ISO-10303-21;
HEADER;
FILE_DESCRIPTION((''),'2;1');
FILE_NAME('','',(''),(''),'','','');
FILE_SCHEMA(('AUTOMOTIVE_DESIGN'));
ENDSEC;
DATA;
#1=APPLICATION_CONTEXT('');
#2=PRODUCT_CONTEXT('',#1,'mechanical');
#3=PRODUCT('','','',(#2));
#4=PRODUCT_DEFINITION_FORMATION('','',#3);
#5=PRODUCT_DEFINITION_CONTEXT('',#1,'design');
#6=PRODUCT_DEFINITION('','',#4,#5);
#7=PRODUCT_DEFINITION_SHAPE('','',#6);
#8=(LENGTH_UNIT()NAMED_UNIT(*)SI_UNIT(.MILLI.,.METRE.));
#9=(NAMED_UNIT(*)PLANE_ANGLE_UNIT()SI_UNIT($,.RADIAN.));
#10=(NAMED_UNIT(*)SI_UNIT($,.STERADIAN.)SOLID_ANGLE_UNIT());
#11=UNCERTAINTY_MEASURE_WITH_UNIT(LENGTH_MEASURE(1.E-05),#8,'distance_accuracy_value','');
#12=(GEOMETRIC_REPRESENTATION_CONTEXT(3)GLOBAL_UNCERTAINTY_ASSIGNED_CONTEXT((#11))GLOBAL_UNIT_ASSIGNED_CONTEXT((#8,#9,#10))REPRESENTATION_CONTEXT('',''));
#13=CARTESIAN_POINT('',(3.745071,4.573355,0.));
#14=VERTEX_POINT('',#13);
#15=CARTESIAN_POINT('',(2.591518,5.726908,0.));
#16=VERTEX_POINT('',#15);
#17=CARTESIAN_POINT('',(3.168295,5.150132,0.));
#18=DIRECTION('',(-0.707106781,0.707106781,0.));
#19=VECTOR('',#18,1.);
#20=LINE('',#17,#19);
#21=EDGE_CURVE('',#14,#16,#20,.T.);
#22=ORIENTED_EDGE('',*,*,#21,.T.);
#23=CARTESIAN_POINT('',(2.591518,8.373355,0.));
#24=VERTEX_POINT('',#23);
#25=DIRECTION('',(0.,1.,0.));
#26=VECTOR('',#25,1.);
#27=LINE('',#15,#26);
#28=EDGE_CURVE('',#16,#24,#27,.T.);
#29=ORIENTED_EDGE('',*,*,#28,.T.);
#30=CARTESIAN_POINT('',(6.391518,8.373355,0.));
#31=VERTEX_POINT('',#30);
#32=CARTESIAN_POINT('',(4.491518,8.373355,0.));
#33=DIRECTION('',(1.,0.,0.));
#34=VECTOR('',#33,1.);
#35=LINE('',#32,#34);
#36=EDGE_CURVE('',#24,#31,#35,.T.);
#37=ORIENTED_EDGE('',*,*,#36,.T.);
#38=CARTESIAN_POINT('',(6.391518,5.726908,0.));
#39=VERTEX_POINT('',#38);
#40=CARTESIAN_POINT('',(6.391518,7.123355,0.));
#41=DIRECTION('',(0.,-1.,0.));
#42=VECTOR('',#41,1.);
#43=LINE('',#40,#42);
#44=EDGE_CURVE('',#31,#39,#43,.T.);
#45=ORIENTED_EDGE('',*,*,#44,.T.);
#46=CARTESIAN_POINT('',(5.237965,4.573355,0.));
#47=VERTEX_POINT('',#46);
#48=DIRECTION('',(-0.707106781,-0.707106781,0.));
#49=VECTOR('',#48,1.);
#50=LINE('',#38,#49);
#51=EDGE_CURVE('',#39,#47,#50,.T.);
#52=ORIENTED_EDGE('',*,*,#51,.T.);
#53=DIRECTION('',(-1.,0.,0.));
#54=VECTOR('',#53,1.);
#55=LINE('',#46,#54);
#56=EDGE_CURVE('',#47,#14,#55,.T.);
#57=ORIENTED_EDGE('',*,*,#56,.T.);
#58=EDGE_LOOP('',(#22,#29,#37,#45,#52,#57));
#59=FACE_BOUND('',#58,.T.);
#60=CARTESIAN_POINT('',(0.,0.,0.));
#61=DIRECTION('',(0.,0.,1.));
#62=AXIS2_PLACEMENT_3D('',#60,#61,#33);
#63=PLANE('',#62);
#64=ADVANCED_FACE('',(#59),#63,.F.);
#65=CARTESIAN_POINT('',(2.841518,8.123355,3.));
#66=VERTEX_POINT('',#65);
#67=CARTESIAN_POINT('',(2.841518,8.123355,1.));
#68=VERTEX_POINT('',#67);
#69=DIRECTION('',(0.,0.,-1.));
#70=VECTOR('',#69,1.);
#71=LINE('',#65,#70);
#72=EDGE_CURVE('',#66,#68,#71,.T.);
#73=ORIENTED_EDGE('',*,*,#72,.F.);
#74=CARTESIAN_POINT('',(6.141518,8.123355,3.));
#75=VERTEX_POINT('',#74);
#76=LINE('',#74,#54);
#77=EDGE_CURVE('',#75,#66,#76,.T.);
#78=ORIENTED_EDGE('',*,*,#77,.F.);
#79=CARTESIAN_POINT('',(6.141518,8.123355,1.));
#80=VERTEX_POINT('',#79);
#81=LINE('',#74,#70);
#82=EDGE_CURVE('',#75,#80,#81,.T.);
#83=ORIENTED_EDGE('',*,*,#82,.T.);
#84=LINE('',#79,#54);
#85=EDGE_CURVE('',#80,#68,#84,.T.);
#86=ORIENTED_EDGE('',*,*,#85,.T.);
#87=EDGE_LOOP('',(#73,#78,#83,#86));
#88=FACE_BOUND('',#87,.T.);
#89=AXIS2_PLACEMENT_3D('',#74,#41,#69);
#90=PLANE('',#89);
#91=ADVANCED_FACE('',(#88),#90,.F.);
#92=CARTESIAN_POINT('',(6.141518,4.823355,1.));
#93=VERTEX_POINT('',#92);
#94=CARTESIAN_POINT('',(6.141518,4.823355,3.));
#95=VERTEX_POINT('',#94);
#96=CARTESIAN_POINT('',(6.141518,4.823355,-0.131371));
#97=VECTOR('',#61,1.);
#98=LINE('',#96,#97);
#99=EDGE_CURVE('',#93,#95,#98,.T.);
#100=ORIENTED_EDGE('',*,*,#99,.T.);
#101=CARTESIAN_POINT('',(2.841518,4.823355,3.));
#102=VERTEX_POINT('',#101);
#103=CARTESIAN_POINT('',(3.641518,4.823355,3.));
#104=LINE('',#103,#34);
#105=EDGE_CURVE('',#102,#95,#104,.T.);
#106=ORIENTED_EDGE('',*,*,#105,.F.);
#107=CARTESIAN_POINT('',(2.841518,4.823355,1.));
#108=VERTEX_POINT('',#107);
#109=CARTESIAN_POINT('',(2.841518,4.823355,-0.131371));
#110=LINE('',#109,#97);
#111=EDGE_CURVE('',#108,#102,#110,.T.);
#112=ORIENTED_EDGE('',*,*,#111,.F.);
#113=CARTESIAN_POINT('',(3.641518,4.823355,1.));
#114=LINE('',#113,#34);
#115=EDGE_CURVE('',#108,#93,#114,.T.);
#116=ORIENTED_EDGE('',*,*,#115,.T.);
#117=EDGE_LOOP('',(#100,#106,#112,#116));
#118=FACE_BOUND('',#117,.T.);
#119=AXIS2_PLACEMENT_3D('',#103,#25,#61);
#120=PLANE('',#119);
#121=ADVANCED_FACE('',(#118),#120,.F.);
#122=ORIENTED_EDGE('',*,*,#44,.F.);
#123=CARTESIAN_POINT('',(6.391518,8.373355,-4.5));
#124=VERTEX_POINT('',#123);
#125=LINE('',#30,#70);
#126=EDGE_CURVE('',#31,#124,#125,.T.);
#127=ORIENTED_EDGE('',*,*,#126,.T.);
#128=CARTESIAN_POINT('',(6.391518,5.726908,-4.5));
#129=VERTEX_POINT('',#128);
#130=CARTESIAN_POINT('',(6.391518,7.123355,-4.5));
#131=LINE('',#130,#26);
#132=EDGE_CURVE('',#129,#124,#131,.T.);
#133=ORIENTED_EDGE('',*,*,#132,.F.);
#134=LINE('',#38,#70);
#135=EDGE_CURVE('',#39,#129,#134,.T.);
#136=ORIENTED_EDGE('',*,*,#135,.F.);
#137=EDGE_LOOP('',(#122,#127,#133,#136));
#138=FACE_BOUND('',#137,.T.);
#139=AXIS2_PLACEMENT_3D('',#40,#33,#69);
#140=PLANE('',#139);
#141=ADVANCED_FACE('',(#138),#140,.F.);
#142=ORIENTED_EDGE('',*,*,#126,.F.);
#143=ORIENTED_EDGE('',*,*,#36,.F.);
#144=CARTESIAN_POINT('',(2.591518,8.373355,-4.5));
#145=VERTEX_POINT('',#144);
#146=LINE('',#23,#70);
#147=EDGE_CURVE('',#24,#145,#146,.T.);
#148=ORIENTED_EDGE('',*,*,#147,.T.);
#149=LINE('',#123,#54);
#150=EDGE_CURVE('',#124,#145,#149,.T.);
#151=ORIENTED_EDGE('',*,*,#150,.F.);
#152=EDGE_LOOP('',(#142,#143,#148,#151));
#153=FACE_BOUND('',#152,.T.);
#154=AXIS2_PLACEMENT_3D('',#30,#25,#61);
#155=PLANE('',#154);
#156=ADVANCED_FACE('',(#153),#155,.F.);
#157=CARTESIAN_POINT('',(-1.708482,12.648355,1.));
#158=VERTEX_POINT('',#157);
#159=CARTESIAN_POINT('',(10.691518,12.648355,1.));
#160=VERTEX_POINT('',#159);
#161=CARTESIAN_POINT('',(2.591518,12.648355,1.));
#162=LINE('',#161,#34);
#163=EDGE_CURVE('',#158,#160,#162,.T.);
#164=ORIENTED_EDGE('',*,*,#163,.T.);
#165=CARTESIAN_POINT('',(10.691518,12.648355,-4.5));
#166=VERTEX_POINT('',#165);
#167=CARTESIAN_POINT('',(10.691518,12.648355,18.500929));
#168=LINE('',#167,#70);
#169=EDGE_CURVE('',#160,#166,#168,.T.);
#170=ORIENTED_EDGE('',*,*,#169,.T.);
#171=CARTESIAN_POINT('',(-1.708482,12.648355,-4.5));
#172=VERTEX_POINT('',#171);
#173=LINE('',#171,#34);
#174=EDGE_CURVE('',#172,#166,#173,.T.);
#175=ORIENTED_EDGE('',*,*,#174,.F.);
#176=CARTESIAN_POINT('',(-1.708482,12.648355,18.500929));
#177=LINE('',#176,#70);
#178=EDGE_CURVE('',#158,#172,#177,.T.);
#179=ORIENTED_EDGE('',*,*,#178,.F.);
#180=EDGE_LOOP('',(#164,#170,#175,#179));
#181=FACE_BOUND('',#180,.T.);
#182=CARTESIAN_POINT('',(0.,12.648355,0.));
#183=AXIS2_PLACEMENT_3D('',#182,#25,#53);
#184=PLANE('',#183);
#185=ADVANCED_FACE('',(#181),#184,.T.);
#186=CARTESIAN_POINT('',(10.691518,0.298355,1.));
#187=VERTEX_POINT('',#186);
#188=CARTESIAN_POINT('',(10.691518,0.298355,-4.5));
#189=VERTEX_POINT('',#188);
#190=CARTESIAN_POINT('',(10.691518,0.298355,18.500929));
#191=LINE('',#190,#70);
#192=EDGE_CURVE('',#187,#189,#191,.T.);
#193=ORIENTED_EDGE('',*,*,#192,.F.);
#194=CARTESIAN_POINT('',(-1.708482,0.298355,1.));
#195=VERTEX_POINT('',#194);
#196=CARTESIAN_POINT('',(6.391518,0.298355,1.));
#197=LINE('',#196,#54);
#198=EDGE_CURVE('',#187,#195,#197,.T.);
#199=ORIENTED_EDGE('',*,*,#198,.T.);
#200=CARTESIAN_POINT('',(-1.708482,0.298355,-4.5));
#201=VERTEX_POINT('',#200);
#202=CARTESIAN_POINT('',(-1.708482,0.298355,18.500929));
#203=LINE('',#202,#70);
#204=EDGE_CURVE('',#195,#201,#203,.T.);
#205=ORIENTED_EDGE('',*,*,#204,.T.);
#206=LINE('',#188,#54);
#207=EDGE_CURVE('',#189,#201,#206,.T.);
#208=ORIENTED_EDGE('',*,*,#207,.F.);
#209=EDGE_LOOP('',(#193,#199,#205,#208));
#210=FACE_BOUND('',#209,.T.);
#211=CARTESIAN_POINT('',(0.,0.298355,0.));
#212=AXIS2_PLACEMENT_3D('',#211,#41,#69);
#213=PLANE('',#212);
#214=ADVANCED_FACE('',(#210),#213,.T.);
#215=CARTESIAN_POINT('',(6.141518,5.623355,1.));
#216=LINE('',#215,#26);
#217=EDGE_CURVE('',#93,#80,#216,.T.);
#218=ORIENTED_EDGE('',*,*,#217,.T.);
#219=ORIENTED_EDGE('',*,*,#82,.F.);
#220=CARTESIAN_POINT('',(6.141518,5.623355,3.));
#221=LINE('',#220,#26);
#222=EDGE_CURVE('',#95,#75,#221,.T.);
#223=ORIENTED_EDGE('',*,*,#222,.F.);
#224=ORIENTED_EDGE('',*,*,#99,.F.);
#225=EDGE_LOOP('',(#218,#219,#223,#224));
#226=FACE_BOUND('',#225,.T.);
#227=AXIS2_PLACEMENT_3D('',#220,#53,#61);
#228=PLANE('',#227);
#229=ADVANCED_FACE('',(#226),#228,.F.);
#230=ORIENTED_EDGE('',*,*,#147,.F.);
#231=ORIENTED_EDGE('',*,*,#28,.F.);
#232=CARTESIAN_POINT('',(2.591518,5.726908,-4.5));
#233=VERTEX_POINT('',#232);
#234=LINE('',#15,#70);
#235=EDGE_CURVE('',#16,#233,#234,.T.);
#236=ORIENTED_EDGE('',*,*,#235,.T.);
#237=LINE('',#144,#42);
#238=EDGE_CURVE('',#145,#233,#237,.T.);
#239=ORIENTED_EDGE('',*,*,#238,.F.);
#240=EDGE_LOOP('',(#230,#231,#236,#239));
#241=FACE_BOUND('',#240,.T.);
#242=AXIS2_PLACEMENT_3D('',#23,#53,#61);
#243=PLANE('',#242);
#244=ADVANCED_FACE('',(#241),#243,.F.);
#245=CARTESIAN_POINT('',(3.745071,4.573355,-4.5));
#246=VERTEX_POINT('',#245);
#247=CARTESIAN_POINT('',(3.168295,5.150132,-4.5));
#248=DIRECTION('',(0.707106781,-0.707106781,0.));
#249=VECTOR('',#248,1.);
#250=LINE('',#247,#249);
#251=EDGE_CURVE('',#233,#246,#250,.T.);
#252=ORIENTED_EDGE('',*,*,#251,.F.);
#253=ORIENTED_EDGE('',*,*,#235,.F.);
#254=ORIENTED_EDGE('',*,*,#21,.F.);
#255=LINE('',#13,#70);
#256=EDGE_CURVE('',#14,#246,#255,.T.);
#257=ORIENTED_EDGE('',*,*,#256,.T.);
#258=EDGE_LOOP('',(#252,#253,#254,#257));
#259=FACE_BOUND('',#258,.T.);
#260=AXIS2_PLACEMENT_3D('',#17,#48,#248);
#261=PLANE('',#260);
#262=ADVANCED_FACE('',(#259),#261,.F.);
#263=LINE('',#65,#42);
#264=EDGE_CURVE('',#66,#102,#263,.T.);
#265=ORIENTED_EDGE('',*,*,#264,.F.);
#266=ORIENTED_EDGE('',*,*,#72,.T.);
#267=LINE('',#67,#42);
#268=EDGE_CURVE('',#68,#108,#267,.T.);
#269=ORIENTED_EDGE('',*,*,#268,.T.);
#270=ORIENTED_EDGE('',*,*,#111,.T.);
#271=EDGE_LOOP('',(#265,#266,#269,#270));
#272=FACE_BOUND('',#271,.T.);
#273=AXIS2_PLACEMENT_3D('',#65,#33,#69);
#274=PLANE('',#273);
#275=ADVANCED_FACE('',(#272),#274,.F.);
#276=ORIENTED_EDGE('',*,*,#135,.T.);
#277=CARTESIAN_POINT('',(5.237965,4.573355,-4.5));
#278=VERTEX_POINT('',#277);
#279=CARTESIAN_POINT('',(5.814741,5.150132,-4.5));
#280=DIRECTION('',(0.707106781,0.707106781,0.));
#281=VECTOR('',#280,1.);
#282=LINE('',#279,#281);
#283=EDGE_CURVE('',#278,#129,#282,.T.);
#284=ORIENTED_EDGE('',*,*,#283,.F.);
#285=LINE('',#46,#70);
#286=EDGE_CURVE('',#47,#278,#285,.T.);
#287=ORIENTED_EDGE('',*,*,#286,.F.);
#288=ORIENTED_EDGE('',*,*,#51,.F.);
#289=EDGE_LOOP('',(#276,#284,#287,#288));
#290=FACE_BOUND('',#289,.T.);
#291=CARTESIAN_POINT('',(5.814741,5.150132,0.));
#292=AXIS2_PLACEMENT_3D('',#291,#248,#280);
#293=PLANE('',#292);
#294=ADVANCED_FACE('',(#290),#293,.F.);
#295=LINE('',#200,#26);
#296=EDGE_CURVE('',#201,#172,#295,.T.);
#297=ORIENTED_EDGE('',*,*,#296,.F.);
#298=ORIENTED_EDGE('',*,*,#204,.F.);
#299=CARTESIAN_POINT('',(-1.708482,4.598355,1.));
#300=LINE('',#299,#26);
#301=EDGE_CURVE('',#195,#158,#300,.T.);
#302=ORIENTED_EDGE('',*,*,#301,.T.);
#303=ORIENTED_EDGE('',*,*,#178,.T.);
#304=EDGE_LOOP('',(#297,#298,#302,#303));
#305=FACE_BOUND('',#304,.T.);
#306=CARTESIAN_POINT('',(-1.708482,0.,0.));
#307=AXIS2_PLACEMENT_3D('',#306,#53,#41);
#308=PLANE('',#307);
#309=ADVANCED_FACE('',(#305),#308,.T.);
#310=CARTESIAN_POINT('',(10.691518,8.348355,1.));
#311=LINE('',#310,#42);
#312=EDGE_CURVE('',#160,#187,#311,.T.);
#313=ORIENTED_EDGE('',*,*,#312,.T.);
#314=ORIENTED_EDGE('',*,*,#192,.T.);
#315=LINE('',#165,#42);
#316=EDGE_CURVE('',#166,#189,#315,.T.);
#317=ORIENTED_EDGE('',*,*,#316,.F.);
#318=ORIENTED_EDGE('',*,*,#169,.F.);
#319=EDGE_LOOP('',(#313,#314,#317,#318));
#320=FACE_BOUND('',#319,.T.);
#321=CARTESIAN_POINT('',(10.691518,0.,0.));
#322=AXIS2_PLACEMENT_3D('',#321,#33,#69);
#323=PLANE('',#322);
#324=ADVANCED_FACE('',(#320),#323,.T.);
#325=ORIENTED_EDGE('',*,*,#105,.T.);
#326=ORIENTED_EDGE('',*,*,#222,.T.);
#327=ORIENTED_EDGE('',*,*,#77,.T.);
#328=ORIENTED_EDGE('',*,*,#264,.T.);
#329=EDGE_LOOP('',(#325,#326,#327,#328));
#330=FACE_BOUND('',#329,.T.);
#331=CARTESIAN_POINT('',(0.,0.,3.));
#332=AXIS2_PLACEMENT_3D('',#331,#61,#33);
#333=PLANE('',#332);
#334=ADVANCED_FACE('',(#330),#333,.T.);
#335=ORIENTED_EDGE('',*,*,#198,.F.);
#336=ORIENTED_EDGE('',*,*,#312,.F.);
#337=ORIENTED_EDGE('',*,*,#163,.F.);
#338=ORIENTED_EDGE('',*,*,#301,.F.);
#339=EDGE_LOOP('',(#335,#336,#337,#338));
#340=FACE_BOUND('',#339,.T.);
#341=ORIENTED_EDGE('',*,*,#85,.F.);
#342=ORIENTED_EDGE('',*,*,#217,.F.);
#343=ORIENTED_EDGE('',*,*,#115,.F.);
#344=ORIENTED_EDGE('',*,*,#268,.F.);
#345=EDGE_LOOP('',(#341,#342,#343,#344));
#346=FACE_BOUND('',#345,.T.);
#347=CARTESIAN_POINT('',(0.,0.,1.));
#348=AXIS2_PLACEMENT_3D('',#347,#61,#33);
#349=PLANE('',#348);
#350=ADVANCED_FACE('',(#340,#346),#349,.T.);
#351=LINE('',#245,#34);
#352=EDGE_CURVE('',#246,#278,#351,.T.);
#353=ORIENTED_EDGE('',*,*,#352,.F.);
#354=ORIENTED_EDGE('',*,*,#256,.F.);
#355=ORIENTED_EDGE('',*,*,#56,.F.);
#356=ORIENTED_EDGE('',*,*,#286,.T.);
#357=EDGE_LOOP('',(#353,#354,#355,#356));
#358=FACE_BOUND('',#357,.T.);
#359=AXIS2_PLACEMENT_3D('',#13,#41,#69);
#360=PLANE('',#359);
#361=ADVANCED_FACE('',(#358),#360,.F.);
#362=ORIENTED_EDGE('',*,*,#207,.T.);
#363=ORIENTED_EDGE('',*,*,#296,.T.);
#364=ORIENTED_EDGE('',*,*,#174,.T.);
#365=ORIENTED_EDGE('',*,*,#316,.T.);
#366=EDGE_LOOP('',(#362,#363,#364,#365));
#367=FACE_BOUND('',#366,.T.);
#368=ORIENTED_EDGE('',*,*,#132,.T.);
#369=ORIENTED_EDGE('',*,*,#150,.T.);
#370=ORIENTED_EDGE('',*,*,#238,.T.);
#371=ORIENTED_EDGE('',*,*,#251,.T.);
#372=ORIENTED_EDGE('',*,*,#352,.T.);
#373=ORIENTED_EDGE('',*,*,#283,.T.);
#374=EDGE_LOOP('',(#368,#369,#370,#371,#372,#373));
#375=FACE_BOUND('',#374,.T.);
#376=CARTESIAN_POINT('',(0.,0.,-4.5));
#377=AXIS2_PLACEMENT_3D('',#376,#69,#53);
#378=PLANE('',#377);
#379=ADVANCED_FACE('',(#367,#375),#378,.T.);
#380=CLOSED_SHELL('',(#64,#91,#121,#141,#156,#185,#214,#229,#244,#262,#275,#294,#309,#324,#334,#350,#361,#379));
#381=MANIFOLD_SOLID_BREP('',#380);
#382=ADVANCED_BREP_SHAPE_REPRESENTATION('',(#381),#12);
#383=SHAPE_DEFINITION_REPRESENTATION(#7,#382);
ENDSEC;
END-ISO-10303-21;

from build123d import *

# Parameters (mm, degrees)
BOSS_EXTRUDE1_DEPTH      = 3
BOSS_EXTRUDE2_START      = 22.115178
SKETCH3_W                = 10.4
SKETCH3_H                = 10.35
BOSS_EXTRUDE2_DEPTH      = 1
BOSS_EXTRUDE2_DEPTH_BACK = 3
CUT_EXTRUDE1_DEPTH       = 4
BOSS_EXTRUDE3_DEPTH      = 2
SKETCH6_W                = 4
SKETCH6_H                = 3.75
BOSS_EXTRUDE4_DEPTH      = 1
SKETCH7_W                = 4
SKETCH7_H                = 3.75
BOSS_EXTRUDE5_DEPTH      = 1
SKETCH8_W                = 3.8
SKETCH8_H                = 4
BOSS_EXTRUDE6_DEPTH      = 1
SKETCH9_W                = 3.8
SKETCH9_H                = 4
BOSS_EXTRUDE7_DEPTH      = 1
CUT_EXTRUDE2_DEPTH       = 3
BOSS_EXTRUDE8_DEPTH      = 3
BOSS_EXTRUDE9_DEPTH      = 6
BOSS_EXTRUDE10_DEPTH     = 7
SKETCH15_W               = 12.4
SKETCH15_H               = 12.35
CUT_EXTRUDE3_DEPTH       = 1.5


with BuildPart() as part:
    # Sketch1 → Boss-Extrude1 (new body)
    with BuildSketch(Plane.XY):
        Polygon((6.141518054, 8.123354813), (2.841518054, 8.123354813), (2.841518054, 5.623354813), (3.641518054, 4.823354813), (5.341518054, 4.823354813), (6.141518054, 5.623354813), align=None)
    extrude(amount=BOSS_EXTRUDE1_DEPTH)

    # Sketch3 → Boss-Extrude2 (add, two sides)
    with BuildSketch(Plane.XY.offset(-22.115178163).offset(BOSS_EXTRUDE2_START)) as boss_extrude2_sk:
        with Locations((4.491518054, 6.473354813)):
            Rectangle(SKETCH3_W, SKETCH3_H)
        Polygon((2.841518054, 8.123354813), (2.841518054, 5.623354813), (3.641518054, 4.823354813), (5.341518054, 4.823354813), (6.141518054, 5.623354813), (6.141518054, 8.123354813), align=None, mode=Mode.SUBTRACT)
    extrude(amount=BOSS_EXTRUDE2_DEPTH)
    extrude(boss_extrude2_sk.sketch, amount=-BOSS_EXTRUDE2_DEPTH_BACK)

    # Sketch4 → Cut-Extrude1 (cut)
    with BuildSketch(Plane.XY.offset(1)):
        with BuildLine():
            Line((-0.708481946, 4.598354813), (-0.708481946, 1.298354813))
            Line((-0.708481946, 1.298354813), (2.591518054, 1.298354813))
            ThreePointArc((2.591518054, 1.298354813), (1.624970432, 3.631807191), (-0.708481946, 4.598354813))
        make_face()
        with BuildLine():
            Line((9.691518054, 1.298354813), (6.391518054, 1.298354813))
            ThreePointArc((6.391518054, 1.298354813), (7.358065676, 3.631807191), (9.691518054, 4.598354813))
            Line((9.691518054, 4.598354813), (9.691518054, 1.298354813))
        make_face()
        with BuildLine():
            Line((9.691518054, 8.348354813), (9.691518054, 11.648354813))
            Line((9.691518054, 11.648354813), (6.391518054, 11.648354813))
            ThreePointArc((6.391518054, 11.648354813), (7.358065676, 9.314902435), (9.691518054, 8.348354813))
        make_face()
        with BuildLine():
            Line((-0.708481946, 8.348354813), (-0.708481946, 11.648354813))
            Line((-0.708481946, 11.648354813), (2.591518054, 11.648354813))
            ThreePointArc((2.591518054, 11.648354813), (1.624970432, 9.314902435), (-0.708481946, 8.348354813))
        make_face()
    extrude(amount=-CUT_EXTRUDE1_DEPTH, mode=Mode.SUBTRACT)

    # Sketch5 → Boss-Extrude3 (add)
    with BuildSketch(Plane.XY.offset(3)):
        Polygon((2.841518054, 5.623354813), (3.641518054, 4.823354813), (2.841518054, 4.823354813), align=None)
        Polygon((5.341518054, 4.823354813), (6.141518054, 5.623354813), (6.141518054, 4.823354813), align=None)
    extrude(amount=-BOSS_EXTRUDE3_DEPTH)

    # Sketch6 → Boss-Extrude4 (add)
    with BuildSketch(Plane.ZY.offset(0.708481946)):
        with Locations((-1, 6.473354813)):
            Rectangle(SKETCH6_W, SKETCH6_H)
    extrude(amount=BOSS_EXTRUDE4_DEPTH)

    # Sketch7 → Boss-Extrude5 (add)
    with BuildSketch(Plane(origin=(9.691518054, 0, 0), x_dir=(0, 0, -1), z_dir=(1, 0, 0))):
        with Locations((1, 6.473354813)):
            Rectangle(SKETCH7_W, SKETCH7_H)
    extrude(amount=BOSS_EXTRUDE5_DEPTH)

    # Sketch8 → Boss-Extrude6 (add)
    with BuildSketch(Plane(origin=(0, 11.648354813, 0), x_dir=(1, 0, 0), z_dir=(0, 1, 0))):
        with Locations((4.491518054, 1)):
            Rectangle(SKETCH8_W, SKETCH8_H)
    extrude(amount=BOSS_EXTRUDE6_DEPTH)

    # Sketch9 → Boss-Extrude7 (add)
    with BuildSketch(Plane.XZ.offset(-1.298354813)):
        with Locations((4.491518054, -1)):
            Rectangle(SKETCH9_W, SKETCH9_H)
    extrude(amount=BOSS_EXTRUDE7_DEPTH)

    # Sketch10 → Cut-Extrude2 (cut)
    with BuildSketch(Plane(origin=(0, 0, -3), x_dir=(-1, 0, 0), z_dir=(0, 0, -1))):
        Polygon((-6.641518054, 6.873354813), (-6.641518054, 8.623354813), (-4.491518054, 8.623354813), (-2.341518054, 8.623354813), (-2.341518054, 6.873354813), (-2.341518054, 5.623354813), (-3.641518054, 4.323354813), (-4.491518054, 4.323354813), (-5.341518054, 4.323354813), (-5.841518054, 4.823354813), (-6.641518054, 5.623354813), align=None)
    extrude(amount=-CUT_EXTRUDE2_DEPTH, mode=Mode.SUBTRACT)

    # Sketch11 → Boss-Extrude8 (add)
    with BuildSketch(Plane(origin=(0, 0, -3), x_dir=(-1, 0, 0), z_dir=(0, 0, -1))):
        with BuildLine():
            Line((0.708481946, 4.598354813), (1.708481946, 4.598354813))
            Line((1.708481946, 4.598354813), (1.708481946, 8.348354813))
            Line((1.708481946, 8.348354813), (0.708481946, 8.348354813))
            ThreePointArc((0.708481946, 8.348354813), (-1.624970432, 9.314902435), (-2.591518054, 11.648354813))
            Line((-2.591518054, 11.648354813), (-2.591518054, 12.648354813))
            Line((-2.591518054, 12.648354813), (-6.391518054, 12.648354813))
            Line((-6.391518054, 12.648354813), (-6.391518054, 11.648354813))
            ThreePointArc((-6.391518054, 11.648354813), (-7.358065676, 9.314902435), (-9.691518054, 8.348354813))
            Line((-9.691518054, 8.348354813), (-10.691518054, 8.348354813))
            Line((-10.691518054, 8.348354813), (-10.691518054, 4.598354813))
            Line((-10.691518054, 4.598354813), (-9.691518054, 4.598354813))
            ThreePointArc((-9.691518054, 4.598354813), (-7.358065676, 3.631807191), (-6.391518054, 1.298354813))
            Line((-6.391518054, 1.298354813), (-6.391518054, 0.298354813))
            Line((-6.391518054, 0.298354813), (-2.591518054, 0.298354813))
            Line((-2.591518054, 0.298354813), (-2.591518054, 1.298354813))
            ThreePointArc((-2.591518054, 1.298354813), (-1.624970432, 3.631807191), (0.708481946, 4.598354813))
        make_face()
        Polygon((-6.641518054, 5.623354813), (-5.341518054, 4.323354813), (-3.641518054, 4.323354813), (-2.341518054, 5.623354813), (-2.341518054, 8.623354813), (-6.641518054, 8.623354813), align=None, mode=Mode.SUBTRACT)
    extrude(amount=BOSS_EXTRUDE8_DEPTH)

    # Sketch13 → Boss-Extrude9 (add)
    with BuildSketch(Plane(origin=(0, 0, -6), x_dir=(-1, 0, 0), z_dir=(0, 0, -1))):
        Polygon((-2.341518054, 8.623354813), (-6.641518054, 8.623354813), (-6.641518054, 5.623354813), (-5.341518054, 4.323354813), (-3.641518054, 4.323354813), (-2.341518054, 5.623354813), align=None)
        Polygon((-6.391518054, 7.123354813), (-6.391518054, 8.373354813), (-4.491518054, 8.373354813), (-2.591518054, 8.373354813), (-2.591518054, 7.123354813), (-2.591518054, 5.726908204), (-3.168294749, 5.150131508), (-3.745071444, 4.573354813), (-4.491518054, 4.573354813), (-5.237964663, 4.573354813), (-5.814741358, 5.150131508), (-6.391518054, 5.726908204), align=None, mode=Mode.SUBTRACT)
    extrude(amount=-BOSS_EXTRUDE9_DEPTH)

    # Sketch14 → Boss-Extrude10 (add)
    with BuildSketch(Plane(origin=(0, 0, -6), x_dir=(-1, 0, 0), z_dir=(0, 0, -1))):
        Polygon((1.708481946, 4.598354813), (1.708481946, 8.348354813), (1.708481946, 12.648354813), (-2.591518054, 12.648354813), (-6.391518054, 12.648354813), (-10.691518054, 12.648354813), (-10.691518054, 8.348354813), (-10.691518054, 4.598354813), (-10.691518054, 0.298354813), (-6.391518054, 0.298354813), (-2.591518054, 0.298354813), (1.708481946, 0.298354813), align=None)
        Polygon((-6.391518054, 5.726908204), (-5.237964663, 4.573354813), (-3.745071444, 4.573354813), (-2.591518054, 5.726908204), (-2.591518054, 8.373354813), (-6.391518054, 8.373354813), align=None, mode=Mode.SUBTRACT)
    extrude(amount=-BOSS_EXTRUDE10_DEPTH)

    # Sketch15 → Cut-Extrude3 (cut)
    with BuildSketch(Plane(origin=(0, 0, -6), x_dir=(-1, 0, 0), z_dir=(0, 0, -1))):
        with Locations((-4.491518054, 6.473354813)):
            Rectangle(SKETCH15_W, SKETCH15_H)
    extrude(amount=-CUT_EXTRUDE3_DEPTH, mode=Mode.SUBTRACT)


solid = part.part
